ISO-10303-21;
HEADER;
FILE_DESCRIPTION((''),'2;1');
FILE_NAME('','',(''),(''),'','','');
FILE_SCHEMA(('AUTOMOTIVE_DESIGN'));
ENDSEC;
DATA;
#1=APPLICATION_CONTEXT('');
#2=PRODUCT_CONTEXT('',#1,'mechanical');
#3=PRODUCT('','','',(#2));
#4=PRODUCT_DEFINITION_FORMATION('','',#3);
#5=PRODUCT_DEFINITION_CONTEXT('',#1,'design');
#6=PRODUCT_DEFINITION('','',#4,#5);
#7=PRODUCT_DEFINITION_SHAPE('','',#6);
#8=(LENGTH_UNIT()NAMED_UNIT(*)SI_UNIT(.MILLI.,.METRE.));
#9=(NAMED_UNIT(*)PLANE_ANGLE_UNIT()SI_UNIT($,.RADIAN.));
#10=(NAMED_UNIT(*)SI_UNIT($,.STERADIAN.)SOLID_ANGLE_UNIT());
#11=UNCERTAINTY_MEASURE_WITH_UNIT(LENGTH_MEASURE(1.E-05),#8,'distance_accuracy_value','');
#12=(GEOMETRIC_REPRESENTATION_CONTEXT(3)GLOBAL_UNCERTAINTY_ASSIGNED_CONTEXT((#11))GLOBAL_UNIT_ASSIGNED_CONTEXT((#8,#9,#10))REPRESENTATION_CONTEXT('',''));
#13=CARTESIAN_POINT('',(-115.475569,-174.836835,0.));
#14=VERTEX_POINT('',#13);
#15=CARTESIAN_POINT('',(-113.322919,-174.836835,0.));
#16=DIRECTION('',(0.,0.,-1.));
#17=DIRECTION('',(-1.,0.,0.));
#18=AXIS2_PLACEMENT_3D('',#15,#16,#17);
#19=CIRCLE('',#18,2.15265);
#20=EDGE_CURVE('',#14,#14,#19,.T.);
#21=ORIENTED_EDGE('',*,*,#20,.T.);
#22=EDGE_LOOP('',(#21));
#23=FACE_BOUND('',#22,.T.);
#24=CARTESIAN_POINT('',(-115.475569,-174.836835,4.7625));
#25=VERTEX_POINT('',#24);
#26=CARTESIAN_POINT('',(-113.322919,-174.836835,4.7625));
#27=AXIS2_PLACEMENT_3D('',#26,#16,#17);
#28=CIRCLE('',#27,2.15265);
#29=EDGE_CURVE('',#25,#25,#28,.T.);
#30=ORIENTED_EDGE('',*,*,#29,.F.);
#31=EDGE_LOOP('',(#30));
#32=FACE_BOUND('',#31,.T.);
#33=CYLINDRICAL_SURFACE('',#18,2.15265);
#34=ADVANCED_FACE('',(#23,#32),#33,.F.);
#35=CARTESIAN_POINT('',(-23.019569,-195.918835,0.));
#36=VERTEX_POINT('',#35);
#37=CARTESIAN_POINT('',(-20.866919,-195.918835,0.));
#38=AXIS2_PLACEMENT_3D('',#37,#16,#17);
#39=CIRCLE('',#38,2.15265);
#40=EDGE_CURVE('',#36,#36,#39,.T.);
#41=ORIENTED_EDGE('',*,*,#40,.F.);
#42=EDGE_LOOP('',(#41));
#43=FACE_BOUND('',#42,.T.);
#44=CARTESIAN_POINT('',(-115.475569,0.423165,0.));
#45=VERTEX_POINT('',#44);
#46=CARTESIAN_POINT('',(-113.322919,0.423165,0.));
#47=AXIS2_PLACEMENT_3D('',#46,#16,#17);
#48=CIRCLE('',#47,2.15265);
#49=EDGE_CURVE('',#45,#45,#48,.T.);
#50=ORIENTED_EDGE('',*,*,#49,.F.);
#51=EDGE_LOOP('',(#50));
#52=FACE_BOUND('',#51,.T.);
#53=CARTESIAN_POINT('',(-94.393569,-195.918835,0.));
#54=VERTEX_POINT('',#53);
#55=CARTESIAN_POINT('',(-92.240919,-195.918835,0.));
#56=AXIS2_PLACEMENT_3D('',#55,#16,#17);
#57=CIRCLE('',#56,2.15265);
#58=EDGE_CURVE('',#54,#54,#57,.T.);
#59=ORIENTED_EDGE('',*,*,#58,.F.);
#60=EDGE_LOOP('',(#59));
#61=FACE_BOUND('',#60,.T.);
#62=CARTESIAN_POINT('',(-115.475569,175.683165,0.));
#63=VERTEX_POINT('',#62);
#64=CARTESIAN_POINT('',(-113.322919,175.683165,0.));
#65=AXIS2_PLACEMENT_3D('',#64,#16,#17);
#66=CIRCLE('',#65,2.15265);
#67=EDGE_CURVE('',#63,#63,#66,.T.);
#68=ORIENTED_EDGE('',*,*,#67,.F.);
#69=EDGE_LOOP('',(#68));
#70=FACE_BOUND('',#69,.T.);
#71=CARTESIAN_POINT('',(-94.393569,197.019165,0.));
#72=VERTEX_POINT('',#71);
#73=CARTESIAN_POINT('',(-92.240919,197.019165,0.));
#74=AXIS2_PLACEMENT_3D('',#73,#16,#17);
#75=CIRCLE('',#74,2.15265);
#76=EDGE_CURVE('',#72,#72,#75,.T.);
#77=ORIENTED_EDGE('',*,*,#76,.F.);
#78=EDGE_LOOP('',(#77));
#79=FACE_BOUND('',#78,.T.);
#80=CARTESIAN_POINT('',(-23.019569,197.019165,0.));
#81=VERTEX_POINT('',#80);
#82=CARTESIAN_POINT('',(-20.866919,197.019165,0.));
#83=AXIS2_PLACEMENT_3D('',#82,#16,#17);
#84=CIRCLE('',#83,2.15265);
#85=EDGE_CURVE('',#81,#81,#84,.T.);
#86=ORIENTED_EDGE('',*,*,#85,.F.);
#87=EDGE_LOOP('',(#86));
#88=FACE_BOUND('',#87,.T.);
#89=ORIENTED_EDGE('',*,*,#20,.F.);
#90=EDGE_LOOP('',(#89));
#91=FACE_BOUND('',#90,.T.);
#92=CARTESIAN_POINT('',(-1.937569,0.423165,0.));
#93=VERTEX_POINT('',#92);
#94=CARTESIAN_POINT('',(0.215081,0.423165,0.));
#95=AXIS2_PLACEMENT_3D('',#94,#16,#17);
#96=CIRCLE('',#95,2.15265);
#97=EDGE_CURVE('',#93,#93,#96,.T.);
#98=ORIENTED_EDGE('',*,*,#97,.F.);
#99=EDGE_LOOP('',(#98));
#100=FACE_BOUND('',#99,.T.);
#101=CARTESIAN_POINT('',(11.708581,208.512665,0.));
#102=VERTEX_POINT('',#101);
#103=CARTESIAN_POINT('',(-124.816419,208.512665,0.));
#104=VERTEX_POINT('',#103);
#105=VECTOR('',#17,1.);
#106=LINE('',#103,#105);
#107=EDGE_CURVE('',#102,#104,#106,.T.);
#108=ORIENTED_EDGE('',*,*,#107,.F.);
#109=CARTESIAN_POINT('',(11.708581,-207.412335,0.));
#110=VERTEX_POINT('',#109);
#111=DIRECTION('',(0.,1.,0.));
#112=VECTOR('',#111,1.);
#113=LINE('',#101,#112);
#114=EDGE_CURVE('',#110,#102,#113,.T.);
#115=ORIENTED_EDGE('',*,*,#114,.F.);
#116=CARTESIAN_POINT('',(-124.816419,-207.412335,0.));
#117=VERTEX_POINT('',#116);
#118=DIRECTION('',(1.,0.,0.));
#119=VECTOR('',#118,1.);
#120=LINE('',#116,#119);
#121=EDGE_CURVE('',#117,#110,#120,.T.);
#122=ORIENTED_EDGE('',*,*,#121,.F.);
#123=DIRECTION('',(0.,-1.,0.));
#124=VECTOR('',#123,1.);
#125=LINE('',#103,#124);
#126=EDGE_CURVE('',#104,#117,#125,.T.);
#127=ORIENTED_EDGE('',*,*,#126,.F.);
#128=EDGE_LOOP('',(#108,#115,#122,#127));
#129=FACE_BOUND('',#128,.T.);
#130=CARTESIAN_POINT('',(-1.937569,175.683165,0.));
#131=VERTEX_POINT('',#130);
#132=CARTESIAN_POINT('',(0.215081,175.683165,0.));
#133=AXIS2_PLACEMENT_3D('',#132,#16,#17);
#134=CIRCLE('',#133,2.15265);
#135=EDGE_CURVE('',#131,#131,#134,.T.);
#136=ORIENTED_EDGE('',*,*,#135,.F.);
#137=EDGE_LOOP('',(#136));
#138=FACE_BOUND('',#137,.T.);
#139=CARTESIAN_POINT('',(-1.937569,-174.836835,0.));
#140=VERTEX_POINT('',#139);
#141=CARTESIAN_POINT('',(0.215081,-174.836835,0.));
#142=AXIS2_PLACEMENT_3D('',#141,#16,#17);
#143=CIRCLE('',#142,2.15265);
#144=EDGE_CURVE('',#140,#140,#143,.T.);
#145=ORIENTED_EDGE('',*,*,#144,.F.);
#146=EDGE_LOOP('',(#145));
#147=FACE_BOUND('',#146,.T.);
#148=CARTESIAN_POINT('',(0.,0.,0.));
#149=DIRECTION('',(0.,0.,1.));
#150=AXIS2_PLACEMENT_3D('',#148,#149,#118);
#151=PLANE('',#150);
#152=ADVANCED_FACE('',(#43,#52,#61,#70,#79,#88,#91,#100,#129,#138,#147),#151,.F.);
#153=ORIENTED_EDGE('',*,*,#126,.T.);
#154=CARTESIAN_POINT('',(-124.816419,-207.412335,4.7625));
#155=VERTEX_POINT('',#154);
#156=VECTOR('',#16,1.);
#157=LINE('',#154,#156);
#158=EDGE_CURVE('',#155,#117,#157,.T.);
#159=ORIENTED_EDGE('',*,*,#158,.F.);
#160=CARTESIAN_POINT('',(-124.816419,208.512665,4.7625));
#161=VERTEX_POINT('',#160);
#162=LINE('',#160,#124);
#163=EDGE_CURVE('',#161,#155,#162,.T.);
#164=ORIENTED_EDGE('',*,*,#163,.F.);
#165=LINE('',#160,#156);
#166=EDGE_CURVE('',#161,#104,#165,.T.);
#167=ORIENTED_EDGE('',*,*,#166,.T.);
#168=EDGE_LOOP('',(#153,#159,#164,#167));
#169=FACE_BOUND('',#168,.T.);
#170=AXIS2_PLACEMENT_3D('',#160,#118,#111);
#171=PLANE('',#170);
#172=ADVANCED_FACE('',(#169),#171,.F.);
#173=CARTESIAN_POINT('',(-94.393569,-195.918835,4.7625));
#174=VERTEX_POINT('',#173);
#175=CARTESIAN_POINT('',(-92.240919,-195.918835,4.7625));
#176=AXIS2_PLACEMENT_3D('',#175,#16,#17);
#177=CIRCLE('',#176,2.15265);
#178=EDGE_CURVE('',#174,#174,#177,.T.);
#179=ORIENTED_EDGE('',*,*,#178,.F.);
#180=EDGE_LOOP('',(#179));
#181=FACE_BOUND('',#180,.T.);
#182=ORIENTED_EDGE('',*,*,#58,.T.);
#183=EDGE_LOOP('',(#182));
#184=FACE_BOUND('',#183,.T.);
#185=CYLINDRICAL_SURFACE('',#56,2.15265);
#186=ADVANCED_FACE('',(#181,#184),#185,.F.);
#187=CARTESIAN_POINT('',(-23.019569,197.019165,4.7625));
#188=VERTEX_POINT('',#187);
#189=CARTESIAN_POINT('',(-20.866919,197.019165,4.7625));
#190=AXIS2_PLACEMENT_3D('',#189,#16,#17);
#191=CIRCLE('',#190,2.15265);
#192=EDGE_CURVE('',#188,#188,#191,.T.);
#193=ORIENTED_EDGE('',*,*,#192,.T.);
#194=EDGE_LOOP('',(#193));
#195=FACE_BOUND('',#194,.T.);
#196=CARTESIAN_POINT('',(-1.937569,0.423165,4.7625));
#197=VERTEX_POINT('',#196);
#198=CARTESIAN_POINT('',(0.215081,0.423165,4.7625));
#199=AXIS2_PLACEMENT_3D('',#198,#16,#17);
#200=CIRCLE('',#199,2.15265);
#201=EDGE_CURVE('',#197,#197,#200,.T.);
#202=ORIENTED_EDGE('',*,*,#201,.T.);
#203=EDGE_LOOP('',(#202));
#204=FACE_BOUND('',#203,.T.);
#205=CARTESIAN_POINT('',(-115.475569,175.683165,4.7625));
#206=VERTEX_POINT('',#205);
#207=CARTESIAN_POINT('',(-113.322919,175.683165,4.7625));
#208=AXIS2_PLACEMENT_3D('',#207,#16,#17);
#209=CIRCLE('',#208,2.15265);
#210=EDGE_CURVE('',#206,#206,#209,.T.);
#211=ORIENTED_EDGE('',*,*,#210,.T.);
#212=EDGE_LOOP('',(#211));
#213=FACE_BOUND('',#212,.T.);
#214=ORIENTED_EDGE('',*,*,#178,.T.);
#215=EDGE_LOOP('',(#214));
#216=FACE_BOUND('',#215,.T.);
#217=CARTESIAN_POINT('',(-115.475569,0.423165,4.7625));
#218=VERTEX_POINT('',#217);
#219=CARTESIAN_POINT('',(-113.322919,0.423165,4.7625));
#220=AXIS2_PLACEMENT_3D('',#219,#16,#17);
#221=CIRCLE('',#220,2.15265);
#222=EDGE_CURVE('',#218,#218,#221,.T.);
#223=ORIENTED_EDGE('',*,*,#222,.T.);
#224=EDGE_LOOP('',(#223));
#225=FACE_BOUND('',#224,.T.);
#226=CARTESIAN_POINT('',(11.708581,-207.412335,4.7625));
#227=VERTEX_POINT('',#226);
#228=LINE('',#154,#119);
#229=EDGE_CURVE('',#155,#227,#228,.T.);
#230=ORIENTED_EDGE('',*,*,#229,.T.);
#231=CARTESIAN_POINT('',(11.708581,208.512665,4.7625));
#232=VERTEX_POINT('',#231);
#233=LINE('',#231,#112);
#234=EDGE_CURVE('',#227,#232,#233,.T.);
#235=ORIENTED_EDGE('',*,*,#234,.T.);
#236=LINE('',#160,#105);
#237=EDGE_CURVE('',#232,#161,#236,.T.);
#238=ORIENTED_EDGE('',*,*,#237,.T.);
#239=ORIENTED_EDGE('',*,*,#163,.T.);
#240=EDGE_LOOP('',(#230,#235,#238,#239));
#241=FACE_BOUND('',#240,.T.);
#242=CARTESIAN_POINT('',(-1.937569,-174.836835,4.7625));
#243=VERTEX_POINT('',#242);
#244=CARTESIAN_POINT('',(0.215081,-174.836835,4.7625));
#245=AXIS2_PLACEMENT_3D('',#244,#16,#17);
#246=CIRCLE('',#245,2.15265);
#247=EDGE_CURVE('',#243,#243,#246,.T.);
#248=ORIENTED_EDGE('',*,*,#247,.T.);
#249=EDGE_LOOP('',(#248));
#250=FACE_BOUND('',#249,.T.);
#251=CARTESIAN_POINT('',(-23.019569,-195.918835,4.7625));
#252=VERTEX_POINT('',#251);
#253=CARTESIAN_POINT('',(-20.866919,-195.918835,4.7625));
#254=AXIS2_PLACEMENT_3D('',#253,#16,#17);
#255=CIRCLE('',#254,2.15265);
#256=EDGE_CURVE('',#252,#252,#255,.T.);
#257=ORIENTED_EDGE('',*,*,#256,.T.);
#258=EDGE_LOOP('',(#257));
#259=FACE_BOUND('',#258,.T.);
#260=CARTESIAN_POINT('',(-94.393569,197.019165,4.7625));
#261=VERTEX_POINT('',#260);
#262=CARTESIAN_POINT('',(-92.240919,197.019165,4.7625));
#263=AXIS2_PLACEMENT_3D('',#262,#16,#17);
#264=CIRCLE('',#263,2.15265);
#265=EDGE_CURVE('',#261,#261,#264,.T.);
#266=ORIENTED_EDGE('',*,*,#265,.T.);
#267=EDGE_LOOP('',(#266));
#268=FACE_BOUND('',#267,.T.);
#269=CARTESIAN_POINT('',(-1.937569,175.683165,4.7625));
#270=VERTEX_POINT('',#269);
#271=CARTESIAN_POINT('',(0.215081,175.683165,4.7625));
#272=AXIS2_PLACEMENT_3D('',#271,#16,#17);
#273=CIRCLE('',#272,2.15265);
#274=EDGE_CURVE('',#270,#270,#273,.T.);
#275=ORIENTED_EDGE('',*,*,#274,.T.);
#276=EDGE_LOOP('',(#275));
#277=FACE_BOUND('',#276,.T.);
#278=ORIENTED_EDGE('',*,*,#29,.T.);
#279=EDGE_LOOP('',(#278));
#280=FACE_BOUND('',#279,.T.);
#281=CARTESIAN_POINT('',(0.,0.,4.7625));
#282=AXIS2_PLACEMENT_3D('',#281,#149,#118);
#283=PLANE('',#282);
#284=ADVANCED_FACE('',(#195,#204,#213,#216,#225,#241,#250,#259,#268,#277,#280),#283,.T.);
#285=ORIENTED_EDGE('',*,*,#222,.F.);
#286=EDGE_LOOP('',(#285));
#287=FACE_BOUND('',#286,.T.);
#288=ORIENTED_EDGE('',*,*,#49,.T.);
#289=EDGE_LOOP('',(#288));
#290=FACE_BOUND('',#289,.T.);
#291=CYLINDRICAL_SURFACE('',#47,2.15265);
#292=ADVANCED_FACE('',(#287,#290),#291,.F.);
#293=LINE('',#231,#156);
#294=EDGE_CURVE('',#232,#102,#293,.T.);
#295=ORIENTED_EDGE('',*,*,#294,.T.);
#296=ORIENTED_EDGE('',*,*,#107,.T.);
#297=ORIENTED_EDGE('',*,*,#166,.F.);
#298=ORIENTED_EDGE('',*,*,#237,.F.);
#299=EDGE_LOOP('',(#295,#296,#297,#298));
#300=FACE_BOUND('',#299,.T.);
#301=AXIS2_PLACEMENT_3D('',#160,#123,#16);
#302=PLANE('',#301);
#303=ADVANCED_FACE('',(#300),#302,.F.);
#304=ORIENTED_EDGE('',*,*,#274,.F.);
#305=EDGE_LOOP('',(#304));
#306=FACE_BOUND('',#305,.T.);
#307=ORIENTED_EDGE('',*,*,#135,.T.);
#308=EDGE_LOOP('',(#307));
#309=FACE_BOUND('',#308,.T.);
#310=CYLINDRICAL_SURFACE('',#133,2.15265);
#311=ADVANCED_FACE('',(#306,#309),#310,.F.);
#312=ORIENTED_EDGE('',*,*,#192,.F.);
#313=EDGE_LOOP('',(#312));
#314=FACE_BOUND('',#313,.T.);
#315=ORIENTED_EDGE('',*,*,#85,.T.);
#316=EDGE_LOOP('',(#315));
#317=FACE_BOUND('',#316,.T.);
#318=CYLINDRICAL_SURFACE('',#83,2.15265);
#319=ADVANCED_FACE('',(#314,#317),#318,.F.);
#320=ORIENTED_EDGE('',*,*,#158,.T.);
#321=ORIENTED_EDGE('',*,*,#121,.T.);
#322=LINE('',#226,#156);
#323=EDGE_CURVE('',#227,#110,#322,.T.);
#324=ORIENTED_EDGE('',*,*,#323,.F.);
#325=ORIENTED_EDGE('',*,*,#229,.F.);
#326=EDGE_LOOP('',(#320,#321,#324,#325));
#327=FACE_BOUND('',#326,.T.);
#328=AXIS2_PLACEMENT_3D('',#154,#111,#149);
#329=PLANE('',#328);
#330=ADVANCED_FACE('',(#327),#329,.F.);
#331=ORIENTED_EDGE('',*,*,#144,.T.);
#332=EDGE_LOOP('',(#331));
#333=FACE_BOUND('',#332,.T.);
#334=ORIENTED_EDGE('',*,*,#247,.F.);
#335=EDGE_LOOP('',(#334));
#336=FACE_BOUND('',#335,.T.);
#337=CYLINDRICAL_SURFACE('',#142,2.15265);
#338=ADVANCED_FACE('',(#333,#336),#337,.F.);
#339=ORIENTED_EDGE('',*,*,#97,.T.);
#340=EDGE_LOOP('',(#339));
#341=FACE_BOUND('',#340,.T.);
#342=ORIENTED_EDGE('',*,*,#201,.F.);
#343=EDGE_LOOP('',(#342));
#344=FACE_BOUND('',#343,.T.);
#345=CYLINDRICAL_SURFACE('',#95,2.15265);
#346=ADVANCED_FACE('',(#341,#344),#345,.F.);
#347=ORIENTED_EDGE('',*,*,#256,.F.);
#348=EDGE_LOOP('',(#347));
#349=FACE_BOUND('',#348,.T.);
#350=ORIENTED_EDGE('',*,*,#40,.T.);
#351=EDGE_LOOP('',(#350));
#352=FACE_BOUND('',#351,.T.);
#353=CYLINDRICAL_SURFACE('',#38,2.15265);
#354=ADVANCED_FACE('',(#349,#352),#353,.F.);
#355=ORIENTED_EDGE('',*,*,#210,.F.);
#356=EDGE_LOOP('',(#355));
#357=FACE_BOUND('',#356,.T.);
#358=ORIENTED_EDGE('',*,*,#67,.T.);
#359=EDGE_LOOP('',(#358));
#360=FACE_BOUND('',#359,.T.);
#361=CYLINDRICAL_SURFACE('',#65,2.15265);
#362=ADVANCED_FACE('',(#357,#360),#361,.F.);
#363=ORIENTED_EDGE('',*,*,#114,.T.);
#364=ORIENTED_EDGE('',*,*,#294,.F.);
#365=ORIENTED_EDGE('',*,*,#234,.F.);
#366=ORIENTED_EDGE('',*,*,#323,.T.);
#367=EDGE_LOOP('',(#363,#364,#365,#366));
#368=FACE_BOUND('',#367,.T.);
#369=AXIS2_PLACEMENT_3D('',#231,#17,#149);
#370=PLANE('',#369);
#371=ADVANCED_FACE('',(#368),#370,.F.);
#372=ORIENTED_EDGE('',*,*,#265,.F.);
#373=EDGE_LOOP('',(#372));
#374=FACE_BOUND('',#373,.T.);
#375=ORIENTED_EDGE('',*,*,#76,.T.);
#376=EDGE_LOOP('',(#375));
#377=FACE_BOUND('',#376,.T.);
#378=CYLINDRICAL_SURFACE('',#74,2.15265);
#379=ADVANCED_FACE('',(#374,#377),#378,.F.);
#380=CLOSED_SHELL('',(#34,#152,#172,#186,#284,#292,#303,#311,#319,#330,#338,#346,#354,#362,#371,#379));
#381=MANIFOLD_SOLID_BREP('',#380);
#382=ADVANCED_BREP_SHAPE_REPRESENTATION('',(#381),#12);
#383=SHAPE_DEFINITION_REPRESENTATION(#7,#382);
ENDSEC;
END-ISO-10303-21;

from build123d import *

# Parameters (mm, degrees)
SKETCH1_W             = 136.525
SKETCH1_H             = 415.925
BOSS_EXTRUDE1_DEPTH   = 4.7625
F_8_CLEARANCE_HOLE1_D = 4.3053


with BuildPart() as part:
    # Sketch1 → Boss-Extrude1 (new body)
    with BuildSketch(Plane.XY):
        with Locations((-56.553919361, 0.550165344)):
            Rectangle(SKETCH1_W, SKETCH1_H)
    extrude(amount=BOSS_EXTRUDE1_DEPTH)

    # #8 Clearance Hole1 (through all)
    with Locations(Plane(origin=(0, 0, 0), x_dir=(-1, 0, 0), z_dir=(0, 0, -1))):
        with Locations((92.240919361, -195.918834656), (113.322919361, -174.836834656), (20.866919361, -195.918834656), (-0.215080639, -174.836834656), (113.322919361, 0.423165344), (92.240919361, 197.019165344), (20.866919361, 197.019165344), (-0.215080639, 0.423165344), (113.322919361, 175.683165344), (-0.215080639, 175.683165344)):
            Hole(F_8_CLEARANCE_HOLE1_D / 2)


solid = part.part
